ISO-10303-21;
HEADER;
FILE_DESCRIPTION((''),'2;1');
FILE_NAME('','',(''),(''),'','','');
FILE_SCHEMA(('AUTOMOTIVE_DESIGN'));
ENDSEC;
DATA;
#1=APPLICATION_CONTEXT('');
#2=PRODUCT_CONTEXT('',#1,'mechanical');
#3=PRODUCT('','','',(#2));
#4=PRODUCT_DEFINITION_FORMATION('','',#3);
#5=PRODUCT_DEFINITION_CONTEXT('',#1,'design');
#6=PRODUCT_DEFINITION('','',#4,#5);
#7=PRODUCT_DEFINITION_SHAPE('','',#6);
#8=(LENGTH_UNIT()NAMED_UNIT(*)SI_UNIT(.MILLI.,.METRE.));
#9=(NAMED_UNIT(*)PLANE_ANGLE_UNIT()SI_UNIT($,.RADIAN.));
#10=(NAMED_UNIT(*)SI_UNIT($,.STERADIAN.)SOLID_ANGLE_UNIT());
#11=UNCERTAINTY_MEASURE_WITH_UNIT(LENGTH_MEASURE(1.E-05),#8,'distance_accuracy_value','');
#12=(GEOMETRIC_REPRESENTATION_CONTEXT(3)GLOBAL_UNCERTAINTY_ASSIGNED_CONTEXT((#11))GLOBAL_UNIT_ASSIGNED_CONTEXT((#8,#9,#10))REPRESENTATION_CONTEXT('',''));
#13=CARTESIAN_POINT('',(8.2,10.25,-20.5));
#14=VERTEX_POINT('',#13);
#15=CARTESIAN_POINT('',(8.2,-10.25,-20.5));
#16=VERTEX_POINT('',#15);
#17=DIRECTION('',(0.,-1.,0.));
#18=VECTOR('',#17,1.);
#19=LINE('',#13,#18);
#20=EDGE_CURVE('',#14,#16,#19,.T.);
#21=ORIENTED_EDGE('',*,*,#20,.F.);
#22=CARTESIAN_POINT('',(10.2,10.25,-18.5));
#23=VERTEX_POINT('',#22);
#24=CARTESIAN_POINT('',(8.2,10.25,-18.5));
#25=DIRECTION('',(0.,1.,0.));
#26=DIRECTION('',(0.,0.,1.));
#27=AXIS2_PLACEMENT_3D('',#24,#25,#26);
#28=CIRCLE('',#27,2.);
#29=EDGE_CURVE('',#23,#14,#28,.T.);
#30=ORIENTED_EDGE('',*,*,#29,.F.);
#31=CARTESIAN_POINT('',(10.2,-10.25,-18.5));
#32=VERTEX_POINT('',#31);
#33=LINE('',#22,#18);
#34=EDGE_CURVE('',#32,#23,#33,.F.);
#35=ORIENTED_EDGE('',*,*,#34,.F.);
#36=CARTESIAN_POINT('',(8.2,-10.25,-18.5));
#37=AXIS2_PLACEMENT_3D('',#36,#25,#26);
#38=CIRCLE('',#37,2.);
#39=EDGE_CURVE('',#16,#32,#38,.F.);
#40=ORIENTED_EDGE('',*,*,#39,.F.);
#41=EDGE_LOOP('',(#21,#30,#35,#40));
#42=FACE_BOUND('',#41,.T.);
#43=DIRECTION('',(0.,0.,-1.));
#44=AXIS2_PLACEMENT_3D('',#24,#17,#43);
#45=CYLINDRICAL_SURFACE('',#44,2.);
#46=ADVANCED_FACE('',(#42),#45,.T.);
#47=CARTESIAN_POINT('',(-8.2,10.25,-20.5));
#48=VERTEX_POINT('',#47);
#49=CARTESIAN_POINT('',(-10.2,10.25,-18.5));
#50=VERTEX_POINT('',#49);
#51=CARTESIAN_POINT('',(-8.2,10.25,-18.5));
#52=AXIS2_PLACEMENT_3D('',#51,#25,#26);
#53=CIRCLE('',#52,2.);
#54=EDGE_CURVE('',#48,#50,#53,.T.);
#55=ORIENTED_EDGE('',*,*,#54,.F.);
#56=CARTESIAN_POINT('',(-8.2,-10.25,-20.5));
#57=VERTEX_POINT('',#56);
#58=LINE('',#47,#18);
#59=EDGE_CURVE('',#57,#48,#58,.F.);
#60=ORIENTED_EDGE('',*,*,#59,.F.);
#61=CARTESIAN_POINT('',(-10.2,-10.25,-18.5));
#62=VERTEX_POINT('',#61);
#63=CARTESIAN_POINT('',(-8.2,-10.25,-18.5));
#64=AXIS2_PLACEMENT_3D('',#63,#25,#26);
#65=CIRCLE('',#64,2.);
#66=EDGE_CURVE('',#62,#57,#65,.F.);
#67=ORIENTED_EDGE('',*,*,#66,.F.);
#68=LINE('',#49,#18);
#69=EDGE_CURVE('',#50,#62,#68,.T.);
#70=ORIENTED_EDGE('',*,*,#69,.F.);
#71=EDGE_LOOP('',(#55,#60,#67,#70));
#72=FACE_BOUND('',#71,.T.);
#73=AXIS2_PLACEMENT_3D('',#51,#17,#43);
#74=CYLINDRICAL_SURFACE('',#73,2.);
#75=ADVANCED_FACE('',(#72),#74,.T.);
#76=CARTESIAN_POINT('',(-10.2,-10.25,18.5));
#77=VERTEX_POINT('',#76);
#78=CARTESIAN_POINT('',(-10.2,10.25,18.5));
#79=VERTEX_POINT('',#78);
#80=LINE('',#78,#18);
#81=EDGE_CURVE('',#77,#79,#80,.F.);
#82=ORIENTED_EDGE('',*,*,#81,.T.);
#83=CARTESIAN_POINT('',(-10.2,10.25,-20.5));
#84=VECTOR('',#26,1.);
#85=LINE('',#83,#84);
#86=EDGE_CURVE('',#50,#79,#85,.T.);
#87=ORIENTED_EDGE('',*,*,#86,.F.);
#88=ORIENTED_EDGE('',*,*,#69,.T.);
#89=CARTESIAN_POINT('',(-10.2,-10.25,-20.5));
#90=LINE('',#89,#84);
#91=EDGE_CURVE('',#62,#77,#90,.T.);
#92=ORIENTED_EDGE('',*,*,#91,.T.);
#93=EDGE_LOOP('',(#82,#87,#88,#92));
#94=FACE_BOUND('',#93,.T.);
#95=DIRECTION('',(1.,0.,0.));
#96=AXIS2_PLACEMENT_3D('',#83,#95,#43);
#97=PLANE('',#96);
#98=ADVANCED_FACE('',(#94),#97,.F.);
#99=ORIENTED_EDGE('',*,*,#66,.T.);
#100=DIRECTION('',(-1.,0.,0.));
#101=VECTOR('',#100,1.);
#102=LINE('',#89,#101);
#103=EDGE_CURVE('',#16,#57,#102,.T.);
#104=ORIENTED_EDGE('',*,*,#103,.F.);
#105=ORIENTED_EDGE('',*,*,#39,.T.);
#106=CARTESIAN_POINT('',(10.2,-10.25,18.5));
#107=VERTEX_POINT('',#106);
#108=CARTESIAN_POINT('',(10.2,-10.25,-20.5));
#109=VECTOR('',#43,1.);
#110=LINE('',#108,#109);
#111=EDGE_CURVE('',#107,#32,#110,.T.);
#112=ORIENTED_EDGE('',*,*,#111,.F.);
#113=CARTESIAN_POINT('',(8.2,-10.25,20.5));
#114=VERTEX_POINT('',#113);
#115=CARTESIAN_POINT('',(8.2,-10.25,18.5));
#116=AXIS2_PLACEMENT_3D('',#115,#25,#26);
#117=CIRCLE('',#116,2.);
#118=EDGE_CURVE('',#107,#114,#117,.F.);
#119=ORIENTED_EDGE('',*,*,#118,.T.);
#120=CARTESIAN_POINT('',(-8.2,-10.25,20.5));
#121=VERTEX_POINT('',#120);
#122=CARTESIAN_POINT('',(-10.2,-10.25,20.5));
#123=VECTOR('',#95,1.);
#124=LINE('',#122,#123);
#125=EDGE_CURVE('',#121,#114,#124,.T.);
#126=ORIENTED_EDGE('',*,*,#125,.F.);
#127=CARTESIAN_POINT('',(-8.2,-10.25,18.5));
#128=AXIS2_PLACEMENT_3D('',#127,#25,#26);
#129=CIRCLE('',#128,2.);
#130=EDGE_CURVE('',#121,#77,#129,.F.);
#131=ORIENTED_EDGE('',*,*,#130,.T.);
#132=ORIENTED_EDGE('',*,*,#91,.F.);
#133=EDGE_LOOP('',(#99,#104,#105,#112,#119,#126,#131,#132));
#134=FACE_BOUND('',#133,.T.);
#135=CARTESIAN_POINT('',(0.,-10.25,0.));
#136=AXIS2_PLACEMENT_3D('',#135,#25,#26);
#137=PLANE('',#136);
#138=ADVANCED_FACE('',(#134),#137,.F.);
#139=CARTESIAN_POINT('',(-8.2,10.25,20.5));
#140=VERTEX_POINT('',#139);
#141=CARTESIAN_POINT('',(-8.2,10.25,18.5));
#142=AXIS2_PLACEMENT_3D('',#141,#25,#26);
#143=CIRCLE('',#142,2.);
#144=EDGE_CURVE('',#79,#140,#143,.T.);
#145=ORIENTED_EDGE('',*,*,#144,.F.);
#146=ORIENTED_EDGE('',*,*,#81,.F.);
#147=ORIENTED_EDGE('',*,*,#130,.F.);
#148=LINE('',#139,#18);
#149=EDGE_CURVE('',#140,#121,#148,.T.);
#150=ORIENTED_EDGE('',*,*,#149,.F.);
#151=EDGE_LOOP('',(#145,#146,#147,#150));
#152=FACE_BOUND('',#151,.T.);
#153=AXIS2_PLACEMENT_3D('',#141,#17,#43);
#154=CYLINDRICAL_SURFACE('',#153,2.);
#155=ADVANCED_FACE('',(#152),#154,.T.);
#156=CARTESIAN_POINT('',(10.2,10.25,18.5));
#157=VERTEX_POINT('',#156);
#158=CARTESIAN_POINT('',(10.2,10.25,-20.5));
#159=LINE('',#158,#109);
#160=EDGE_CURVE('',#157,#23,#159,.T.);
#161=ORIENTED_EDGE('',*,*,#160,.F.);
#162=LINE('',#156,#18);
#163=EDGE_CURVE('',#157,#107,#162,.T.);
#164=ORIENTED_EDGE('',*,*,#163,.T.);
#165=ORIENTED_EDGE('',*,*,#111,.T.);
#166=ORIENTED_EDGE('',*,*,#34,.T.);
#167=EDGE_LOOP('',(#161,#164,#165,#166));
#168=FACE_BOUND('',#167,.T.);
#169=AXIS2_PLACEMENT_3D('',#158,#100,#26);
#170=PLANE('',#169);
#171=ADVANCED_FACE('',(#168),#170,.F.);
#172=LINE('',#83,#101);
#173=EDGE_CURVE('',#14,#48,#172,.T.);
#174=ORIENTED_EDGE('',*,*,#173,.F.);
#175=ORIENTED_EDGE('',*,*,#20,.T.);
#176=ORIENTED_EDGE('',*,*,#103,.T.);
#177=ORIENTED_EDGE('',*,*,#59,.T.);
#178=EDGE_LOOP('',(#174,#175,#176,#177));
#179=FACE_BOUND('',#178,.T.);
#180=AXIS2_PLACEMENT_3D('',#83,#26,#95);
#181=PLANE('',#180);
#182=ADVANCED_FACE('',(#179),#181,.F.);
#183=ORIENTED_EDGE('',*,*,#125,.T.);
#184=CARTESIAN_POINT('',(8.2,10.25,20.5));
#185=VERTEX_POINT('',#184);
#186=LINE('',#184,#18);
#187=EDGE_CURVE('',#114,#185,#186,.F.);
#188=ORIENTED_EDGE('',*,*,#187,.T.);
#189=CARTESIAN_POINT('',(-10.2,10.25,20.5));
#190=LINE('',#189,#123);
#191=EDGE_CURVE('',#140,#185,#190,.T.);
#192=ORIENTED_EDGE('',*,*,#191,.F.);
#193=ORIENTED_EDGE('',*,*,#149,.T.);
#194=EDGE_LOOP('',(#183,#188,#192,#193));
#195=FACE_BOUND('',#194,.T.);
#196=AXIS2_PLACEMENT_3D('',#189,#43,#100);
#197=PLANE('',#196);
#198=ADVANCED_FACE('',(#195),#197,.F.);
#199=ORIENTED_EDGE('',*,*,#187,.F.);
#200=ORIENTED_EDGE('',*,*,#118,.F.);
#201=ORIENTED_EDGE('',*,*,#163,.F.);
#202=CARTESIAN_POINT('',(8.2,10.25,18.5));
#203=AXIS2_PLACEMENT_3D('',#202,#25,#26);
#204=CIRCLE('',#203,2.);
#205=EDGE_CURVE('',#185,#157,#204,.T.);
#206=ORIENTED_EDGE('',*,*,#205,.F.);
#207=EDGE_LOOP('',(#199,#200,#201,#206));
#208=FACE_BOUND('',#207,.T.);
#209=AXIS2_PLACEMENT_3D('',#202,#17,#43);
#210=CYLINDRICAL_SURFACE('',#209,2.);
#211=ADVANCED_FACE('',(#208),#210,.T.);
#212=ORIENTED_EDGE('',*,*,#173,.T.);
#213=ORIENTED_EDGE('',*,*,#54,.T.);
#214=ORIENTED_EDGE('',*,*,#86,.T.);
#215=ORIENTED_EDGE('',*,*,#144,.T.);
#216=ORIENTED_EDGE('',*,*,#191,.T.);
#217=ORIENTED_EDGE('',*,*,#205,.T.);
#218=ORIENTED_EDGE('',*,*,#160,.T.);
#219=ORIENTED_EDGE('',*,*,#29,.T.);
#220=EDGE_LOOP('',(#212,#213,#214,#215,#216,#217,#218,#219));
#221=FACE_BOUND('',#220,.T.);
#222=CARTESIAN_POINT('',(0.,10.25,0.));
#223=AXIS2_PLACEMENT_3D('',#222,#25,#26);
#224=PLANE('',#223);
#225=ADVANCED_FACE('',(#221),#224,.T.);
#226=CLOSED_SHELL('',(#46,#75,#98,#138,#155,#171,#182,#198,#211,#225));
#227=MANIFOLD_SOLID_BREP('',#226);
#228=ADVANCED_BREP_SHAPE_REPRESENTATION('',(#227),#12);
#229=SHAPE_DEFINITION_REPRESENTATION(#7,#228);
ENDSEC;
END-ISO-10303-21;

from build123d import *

# Parameters (mm, degrees)
SKETCH1_W           = 20.4
SKETCH1_H           = 41
BOSS_EXTRUDE1_DEPTH = 10.25
FILLET1_R           = 2


with BuildPart() as part:
    # Sketch1 → Boss-Extrude1 (new, symmetric)
    with BuildSketch(Plane(origin=(0, 0, 0), x_dir=(1, 0, 0), z_dir=(0, 1, 0))):
        Rectangle(SKETCH1_W, SKETCH1_H)
    extrude(amount=BOSS_EXTRUDE1_DEPTH, both=True)

    # Fillet1
    fillet1_edges = [part.edges().sort_by_distance(p)[0] for p in [
        (10.2, 0, 20.5),
        (-10.2, 0, 20.5),
        (-10.2, 0, -20.5),
        (10.2, 0, -20.5),
    ]]
    fillet(fillet1_edges, radius=FILLET1_R)


solid = part.part
